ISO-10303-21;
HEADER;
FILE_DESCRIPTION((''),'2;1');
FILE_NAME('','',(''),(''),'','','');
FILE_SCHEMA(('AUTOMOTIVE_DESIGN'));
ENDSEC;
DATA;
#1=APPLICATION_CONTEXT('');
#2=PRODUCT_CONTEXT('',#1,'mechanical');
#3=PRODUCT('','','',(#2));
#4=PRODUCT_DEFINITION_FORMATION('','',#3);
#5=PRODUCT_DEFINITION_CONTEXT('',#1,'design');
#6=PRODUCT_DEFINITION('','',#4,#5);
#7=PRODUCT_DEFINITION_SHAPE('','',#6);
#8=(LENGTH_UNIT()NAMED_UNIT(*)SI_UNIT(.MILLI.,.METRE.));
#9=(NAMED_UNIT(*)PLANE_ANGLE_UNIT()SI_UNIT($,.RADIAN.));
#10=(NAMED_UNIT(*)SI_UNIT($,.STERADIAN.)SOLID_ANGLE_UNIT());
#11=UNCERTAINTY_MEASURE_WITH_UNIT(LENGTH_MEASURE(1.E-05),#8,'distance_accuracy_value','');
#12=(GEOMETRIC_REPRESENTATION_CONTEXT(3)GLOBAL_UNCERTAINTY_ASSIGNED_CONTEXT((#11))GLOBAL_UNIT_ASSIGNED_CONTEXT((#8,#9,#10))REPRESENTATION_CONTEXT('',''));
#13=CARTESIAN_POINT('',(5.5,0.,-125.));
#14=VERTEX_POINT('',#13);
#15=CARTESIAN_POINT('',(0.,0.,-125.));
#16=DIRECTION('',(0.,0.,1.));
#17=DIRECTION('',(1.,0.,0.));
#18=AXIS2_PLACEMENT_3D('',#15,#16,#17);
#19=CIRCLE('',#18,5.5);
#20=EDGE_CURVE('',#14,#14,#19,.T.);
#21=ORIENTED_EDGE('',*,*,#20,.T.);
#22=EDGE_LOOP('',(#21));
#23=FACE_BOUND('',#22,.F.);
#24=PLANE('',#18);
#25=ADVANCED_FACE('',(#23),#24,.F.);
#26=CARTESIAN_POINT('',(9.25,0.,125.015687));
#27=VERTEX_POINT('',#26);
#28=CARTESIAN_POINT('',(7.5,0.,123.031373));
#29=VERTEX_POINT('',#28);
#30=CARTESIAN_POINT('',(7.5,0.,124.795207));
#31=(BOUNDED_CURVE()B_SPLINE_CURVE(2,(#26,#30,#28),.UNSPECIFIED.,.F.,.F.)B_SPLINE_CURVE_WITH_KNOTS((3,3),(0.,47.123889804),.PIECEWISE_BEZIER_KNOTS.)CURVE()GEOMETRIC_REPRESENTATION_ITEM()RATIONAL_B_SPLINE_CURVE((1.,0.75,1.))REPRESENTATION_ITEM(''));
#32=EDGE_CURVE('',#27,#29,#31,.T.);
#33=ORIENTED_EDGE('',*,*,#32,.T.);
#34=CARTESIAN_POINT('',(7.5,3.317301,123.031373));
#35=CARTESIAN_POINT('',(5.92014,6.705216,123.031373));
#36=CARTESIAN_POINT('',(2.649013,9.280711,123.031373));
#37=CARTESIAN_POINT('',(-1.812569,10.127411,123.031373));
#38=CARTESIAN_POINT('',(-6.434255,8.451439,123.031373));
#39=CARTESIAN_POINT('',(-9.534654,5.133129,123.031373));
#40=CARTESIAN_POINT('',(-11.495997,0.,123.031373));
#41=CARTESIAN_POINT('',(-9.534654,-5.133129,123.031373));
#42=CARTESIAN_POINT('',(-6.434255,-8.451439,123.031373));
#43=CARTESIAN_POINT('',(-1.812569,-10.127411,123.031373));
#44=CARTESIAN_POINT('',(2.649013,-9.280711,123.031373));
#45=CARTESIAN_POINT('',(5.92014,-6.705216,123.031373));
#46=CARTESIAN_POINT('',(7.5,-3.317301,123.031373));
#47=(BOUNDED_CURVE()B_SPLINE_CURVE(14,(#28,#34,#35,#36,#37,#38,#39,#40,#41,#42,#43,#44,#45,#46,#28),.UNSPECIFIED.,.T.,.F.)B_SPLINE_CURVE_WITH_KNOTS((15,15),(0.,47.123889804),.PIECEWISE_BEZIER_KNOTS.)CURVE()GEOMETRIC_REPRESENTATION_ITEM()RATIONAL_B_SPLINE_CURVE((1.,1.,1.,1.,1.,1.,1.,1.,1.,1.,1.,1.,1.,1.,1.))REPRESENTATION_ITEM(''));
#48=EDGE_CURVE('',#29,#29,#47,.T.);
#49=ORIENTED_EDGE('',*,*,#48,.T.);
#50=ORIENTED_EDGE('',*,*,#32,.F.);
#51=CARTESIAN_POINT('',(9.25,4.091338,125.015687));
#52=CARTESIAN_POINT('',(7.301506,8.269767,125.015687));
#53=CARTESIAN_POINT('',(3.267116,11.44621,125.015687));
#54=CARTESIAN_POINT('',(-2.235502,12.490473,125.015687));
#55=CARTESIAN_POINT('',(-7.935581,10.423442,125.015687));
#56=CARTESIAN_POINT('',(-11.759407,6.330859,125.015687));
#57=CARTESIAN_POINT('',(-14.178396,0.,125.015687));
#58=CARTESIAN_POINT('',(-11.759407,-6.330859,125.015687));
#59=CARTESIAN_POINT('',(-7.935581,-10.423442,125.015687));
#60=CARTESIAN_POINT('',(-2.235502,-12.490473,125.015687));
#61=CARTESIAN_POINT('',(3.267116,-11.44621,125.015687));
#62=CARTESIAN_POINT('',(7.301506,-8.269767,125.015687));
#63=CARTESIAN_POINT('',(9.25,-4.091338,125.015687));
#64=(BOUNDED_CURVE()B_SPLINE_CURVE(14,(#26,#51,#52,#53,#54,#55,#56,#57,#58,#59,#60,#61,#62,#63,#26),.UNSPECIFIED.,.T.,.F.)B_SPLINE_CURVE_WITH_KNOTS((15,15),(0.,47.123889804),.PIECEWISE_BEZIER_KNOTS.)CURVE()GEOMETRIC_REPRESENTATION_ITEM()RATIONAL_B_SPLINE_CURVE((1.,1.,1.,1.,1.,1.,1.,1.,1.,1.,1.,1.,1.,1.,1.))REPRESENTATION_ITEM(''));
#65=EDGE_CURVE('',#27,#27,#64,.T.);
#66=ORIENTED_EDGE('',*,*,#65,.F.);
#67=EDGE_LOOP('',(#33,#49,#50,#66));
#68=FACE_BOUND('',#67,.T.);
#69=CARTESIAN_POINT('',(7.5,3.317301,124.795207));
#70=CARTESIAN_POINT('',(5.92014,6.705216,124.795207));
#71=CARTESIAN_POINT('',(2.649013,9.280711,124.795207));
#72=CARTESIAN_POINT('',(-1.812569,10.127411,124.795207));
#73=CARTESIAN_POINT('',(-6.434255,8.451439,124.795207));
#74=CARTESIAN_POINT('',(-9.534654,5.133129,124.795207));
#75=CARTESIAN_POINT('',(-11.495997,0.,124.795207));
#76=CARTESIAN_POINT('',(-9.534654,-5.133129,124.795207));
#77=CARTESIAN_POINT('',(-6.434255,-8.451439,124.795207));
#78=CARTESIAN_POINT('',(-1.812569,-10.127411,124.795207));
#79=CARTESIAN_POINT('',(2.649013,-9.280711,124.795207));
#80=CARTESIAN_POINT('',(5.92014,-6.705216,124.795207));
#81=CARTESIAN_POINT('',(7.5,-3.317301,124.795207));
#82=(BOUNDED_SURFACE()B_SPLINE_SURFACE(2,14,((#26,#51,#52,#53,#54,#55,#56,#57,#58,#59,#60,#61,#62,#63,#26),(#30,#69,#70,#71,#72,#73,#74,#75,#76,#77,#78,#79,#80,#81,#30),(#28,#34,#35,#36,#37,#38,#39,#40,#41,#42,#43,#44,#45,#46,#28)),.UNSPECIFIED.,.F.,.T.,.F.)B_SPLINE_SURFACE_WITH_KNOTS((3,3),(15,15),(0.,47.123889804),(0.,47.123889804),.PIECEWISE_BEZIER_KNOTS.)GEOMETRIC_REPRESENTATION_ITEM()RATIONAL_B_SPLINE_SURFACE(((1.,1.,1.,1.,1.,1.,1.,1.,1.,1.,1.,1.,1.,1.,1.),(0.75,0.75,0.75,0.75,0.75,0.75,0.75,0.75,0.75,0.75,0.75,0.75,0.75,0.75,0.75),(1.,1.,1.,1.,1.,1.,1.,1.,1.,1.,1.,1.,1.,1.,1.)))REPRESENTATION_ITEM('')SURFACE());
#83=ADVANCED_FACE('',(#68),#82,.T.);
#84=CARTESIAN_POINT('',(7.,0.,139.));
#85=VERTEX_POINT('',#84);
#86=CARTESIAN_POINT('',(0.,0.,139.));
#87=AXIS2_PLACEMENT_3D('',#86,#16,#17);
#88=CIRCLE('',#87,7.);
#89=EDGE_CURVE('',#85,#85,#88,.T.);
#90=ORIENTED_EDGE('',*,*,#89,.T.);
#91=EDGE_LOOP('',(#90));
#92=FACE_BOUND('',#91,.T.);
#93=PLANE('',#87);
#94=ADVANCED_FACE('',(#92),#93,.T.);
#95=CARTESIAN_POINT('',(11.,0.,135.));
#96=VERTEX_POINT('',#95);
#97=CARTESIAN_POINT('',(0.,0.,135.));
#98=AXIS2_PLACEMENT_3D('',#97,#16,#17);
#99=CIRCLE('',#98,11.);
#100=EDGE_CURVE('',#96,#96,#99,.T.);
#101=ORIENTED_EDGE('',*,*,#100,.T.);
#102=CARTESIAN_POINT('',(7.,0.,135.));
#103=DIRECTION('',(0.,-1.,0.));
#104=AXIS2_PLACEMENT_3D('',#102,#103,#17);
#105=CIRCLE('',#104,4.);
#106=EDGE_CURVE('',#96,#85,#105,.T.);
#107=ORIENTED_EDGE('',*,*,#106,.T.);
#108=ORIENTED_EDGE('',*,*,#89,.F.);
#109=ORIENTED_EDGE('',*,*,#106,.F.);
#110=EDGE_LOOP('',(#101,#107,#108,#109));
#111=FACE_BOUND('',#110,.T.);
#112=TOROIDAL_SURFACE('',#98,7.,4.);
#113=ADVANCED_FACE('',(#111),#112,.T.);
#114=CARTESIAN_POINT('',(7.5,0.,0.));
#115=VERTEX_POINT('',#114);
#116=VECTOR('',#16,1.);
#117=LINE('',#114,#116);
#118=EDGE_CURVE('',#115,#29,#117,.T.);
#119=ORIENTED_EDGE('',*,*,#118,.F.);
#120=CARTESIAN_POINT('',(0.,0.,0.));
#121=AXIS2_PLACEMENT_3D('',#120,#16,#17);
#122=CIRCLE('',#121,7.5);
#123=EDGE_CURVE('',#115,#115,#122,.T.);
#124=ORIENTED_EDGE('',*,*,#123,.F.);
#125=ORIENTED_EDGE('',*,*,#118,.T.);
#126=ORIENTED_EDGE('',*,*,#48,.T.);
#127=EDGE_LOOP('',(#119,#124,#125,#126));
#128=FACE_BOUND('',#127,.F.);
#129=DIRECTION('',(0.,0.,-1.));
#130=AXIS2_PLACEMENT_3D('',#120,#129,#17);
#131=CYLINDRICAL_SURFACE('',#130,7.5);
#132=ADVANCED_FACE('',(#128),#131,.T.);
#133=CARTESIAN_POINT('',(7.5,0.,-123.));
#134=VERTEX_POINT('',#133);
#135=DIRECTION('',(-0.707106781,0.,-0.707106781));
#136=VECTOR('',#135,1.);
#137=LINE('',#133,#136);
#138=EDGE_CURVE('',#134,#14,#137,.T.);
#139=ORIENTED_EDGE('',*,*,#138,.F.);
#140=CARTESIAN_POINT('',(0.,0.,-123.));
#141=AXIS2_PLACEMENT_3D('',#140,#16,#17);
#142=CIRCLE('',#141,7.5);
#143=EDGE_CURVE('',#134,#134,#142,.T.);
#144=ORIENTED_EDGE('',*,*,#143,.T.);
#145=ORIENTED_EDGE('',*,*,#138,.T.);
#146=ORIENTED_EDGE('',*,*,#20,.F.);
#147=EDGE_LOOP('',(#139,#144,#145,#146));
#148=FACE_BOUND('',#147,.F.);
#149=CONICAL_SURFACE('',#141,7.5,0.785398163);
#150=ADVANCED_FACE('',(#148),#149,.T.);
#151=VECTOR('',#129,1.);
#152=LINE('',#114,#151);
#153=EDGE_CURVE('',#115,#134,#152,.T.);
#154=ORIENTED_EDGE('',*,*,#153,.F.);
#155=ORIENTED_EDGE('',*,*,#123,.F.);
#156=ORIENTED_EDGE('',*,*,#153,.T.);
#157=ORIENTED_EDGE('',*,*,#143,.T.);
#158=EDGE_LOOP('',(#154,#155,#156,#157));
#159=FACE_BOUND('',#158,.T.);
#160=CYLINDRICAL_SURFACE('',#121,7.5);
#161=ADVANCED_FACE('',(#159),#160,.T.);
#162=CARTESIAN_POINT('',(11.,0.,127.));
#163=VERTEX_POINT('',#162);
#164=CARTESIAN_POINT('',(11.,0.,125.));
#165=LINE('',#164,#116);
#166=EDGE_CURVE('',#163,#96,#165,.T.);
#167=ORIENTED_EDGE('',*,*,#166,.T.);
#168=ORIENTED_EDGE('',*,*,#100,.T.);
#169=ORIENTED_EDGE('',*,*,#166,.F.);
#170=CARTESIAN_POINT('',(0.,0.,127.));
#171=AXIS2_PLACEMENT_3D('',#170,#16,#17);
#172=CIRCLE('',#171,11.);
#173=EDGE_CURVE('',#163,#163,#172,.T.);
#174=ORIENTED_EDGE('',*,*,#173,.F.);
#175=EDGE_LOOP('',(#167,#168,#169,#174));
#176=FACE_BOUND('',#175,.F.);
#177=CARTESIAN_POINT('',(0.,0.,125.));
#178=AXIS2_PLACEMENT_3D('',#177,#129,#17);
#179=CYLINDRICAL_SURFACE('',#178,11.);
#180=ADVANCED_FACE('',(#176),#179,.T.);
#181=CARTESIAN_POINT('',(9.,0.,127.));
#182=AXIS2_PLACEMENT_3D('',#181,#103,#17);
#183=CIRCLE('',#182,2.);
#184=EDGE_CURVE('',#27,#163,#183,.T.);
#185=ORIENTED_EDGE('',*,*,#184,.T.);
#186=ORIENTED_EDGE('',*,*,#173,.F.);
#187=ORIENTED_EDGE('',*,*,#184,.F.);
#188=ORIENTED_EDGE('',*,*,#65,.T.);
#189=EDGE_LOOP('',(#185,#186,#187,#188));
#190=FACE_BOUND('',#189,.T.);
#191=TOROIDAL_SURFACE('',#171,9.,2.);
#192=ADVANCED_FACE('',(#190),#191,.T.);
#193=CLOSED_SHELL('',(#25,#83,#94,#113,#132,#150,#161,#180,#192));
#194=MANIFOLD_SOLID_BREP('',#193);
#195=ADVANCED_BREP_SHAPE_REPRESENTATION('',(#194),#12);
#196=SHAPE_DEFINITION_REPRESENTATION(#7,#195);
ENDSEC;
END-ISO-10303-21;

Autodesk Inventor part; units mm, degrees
ref_plane "YZ Plane" through (0, 0, 0) normal (1, 0, 0) x (0, 1, 0)
ref_plane "XZ Plane" through (0, 0, 0) normal (0, 1, 0) x (-1, 0, 0)
ref_plane "XY Plane" through (0, 0, 0) normal (0, 0, 1) x (1, 0, 0)
sketch "Sketch1" plane through (0, 0, 0) normal (0, 0, 1) x (1, 0, 0)
  circle A0 centre (0, 0) radius 7.5
  dimension "d0" = 15
extrude "Extrusion1" add sketch "Sketch1" along normal mid plane 250
sketch "Sketch2" plane through (0, 0, 125) normal (0, 0, 1) x (1, 0, 0)
  circle A0 centre (0, 0) radius 7.5 projected
  circle A1 centre (0, 0) radius 11
  dimension "d3" = 22
extrude "Extrusion2" add sketch "Sketch2" along normal blind 14 contours A0 | A1
fillet "Fillet1" radius 2 2 edges at (-11, 0, 125) (-7.5, 0, 125)
fillet "Fillet2" radius 4 1 edges at (-11, 0, 139)
chamfer "Chamfer1" distance 2 angle 45 1 edges at (-7.5, 0, -125)
thread "Thread1" size "M15x1" class "6g" standard "ISO Metric profile" length 16
properties part number "HANDLE" material "Steel, Mild"
